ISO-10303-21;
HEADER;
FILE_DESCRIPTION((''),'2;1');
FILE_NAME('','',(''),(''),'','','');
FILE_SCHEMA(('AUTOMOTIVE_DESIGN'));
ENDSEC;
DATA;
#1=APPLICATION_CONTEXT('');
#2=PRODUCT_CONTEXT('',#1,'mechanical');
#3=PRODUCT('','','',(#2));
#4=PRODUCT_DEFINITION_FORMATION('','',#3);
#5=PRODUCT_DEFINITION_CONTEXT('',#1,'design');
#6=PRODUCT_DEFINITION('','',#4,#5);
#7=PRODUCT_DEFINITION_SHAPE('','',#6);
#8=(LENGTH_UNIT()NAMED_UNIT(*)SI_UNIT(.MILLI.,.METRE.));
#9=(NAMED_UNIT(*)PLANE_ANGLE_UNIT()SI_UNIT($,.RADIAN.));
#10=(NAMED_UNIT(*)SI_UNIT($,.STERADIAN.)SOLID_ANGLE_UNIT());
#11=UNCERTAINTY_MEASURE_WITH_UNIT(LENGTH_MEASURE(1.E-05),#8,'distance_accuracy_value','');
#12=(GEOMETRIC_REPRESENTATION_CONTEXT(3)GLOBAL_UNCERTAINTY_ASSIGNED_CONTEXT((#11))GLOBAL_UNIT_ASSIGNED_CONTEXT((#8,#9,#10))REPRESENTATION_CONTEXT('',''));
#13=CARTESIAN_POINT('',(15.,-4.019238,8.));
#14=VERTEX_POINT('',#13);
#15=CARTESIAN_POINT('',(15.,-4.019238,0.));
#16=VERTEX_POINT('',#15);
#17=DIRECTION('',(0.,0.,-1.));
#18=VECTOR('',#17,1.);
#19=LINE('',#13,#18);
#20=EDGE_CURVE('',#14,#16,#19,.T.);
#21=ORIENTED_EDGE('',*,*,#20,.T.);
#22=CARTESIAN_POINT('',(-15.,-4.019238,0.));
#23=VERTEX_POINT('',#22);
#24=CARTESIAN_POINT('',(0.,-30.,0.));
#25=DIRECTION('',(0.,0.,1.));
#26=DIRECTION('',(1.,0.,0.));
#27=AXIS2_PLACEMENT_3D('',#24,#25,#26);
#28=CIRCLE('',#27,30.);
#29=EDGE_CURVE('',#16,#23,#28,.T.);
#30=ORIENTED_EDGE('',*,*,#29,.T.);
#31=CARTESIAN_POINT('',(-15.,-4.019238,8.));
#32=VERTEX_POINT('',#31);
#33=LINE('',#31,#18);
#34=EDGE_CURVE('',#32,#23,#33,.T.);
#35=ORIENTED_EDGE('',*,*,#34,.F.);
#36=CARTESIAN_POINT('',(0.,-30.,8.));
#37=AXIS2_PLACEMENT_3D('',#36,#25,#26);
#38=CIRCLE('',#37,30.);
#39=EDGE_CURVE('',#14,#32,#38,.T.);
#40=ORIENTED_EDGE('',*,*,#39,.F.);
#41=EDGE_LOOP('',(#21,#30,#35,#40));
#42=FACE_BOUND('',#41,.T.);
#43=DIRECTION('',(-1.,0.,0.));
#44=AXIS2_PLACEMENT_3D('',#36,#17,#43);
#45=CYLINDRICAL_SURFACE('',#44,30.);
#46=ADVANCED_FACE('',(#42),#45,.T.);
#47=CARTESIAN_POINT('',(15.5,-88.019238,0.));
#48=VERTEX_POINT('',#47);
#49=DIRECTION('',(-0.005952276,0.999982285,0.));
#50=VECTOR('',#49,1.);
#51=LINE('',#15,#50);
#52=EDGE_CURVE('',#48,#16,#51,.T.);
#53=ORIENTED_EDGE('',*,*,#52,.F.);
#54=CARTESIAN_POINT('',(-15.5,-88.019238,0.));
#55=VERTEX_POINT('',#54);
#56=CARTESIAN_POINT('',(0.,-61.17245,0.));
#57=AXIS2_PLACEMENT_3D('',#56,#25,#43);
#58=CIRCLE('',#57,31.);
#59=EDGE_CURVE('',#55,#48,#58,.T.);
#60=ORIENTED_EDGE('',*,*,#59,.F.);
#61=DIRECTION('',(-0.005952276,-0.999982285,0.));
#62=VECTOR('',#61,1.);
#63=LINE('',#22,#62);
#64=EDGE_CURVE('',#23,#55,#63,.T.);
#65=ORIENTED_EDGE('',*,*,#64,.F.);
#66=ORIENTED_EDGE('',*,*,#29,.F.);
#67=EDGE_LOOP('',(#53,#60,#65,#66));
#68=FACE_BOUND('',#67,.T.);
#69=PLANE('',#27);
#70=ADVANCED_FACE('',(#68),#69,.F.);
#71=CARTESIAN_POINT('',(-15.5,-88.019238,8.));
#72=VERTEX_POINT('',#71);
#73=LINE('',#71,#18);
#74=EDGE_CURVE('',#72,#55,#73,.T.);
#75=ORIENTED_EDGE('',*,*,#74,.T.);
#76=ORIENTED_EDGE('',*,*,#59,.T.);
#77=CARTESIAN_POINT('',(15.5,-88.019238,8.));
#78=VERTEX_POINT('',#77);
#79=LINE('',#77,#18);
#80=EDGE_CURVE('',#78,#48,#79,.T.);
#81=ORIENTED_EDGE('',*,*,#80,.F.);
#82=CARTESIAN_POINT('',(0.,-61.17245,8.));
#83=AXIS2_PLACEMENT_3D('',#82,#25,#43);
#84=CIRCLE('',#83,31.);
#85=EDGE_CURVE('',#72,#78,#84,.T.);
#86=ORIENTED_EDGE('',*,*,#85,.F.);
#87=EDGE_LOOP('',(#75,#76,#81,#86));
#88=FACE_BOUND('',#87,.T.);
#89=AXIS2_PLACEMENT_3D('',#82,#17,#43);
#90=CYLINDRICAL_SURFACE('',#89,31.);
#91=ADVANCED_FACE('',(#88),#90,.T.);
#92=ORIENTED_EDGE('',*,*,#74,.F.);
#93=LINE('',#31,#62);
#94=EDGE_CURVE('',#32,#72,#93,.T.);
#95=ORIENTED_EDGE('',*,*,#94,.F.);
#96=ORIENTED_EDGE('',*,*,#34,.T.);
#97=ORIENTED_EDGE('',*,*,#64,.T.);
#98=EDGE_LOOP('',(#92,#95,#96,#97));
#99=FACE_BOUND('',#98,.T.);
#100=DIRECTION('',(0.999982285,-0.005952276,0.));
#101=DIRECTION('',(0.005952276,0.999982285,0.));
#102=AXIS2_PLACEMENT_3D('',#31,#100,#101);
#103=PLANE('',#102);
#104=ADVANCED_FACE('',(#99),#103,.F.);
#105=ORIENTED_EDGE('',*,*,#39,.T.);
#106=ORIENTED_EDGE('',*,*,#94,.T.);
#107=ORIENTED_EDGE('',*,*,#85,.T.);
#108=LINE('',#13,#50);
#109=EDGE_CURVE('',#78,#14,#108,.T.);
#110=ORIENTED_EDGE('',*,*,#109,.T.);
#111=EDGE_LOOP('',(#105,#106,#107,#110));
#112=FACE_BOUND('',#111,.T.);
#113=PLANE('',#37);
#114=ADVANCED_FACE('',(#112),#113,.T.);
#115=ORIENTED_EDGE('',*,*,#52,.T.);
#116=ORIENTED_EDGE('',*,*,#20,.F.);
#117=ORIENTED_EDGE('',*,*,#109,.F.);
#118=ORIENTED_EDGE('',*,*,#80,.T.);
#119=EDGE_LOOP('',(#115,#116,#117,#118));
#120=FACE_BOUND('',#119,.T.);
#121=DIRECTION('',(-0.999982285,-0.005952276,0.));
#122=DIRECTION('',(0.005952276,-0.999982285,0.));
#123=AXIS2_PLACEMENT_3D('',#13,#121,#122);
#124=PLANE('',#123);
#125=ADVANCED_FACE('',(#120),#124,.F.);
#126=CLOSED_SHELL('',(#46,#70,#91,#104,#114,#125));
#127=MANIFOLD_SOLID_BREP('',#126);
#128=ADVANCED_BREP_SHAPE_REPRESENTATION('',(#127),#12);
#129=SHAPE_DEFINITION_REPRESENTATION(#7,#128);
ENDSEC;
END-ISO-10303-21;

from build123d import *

# Parameters (mm, degrees)
BOSS_EXTRUDE1_DEPTH = 8


with BuildPart() as part:
    # Sketch1 → Boss-Extrude1 (new body)
    with BuildSketch(Plane.XY):
        with BuildLine():
            Line((-15, -4.019237886), (-15.5, -88.019237886))
            ThreePointArc((-15.5, -88.019237886), (0, -92.172450369), (15.5, -88.019237886))
            Line((15.5, -88.019237886), (15, -4.019237886))
            ThreePointArc((15, -4.019237886), (0, 0), (-15, -4.019237886))
        make_face()
    extrude(amount=BOSS_EXTRUDE1_DEPTH)


solid = part.part
